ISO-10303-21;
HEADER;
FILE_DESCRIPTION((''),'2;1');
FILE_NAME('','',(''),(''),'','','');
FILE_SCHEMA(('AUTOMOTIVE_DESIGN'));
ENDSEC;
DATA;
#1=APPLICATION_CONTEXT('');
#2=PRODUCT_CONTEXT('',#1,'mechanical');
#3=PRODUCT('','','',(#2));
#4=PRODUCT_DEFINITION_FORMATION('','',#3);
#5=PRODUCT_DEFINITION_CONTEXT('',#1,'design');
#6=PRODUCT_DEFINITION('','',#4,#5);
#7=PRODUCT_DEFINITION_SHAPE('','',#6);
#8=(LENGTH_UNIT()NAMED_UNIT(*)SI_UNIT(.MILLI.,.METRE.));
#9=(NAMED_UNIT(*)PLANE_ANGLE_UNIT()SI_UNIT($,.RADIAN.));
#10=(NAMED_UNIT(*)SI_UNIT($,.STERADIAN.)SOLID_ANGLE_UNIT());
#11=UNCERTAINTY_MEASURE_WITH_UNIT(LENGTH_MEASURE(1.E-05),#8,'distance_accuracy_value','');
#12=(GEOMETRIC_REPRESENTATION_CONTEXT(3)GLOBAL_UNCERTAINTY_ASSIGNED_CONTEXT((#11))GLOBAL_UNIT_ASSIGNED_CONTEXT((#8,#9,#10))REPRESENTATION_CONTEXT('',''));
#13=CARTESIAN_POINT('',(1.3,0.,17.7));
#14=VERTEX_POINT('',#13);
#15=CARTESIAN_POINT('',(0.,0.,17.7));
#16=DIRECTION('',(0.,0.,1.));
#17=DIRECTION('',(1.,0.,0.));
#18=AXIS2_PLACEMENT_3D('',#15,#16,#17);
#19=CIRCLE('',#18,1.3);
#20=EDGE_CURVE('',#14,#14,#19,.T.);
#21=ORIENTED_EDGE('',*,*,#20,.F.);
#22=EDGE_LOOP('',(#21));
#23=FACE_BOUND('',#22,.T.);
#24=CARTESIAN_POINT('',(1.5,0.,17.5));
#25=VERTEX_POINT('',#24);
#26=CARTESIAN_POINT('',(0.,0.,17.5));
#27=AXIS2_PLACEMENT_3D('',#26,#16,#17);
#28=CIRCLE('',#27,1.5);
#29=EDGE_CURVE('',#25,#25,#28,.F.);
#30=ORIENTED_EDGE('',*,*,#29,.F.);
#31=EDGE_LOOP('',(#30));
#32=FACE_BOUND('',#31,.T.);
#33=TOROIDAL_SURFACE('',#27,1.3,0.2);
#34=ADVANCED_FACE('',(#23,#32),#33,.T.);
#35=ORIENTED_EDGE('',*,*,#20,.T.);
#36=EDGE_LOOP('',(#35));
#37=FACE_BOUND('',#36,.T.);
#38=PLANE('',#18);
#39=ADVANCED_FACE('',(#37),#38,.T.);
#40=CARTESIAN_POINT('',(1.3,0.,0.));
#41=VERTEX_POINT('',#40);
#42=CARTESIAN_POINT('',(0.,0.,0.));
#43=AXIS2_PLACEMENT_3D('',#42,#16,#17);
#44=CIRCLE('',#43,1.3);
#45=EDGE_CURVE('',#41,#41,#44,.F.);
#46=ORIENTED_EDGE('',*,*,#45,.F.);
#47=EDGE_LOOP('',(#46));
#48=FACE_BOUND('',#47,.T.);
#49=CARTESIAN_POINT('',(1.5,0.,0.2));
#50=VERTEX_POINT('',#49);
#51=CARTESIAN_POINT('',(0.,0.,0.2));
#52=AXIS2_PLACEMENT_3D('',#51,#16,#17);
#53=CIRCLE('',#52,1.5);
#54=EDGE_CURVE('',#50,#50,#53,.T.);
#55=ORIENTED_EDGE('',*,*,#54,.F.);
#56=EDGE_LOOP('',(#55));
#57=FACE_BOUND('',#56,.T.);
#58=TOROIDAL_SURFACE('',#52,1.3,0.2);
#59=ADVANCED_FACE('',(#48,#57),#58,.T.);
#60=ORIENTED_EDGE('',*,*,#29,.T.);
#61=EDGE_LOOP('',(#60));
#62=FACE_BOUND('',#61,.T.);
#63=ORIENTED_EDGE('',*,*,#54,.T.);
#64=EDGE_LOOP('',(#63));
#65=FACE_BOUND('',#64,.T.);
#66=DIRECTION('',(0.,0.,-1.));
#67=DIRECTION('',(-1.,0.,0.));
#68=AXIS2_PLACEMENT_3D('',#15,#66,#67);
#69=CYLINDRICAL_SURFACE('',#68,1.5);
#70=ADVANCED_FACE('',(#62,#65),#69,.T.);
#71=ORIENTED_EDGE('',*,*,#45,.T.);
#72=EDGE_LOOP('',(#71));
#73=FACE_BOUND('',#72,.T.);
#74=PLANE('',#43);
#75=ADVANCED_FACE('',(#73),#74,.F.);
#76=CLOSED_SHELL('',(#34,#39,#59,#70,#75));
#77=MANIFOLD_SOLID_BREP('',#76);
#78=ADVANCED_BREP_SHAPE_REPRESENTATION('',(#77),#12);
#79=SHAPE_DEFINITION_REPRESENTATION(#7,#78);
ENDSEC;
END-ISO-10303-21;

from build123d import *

# Parameters (mm, degrees)
SKETCH1_R           = 1.5
BOSS_EXTRUDE1_DEPTH = 17.7
FILLET1_R           = 0.2


with BuildPart() as part:
    # Sketch1 → Boss-Extrude1 (new body)
    with BuildSketch(Plane.XY):
        Circle(SKETCH1_R)
    extrude(amount=BOSS_EXTRUDE1_DEPTH)

    # Fillet1
    fillet1_edges = [part.edges().sort_by_distance(p)[0] for p in [
        (-1.5, 0, 0),
        (-1.5, 0, 17.7),
    ]]
    fillet(fillet1_edges, radius=FILLET1_R)


solid = part.part
